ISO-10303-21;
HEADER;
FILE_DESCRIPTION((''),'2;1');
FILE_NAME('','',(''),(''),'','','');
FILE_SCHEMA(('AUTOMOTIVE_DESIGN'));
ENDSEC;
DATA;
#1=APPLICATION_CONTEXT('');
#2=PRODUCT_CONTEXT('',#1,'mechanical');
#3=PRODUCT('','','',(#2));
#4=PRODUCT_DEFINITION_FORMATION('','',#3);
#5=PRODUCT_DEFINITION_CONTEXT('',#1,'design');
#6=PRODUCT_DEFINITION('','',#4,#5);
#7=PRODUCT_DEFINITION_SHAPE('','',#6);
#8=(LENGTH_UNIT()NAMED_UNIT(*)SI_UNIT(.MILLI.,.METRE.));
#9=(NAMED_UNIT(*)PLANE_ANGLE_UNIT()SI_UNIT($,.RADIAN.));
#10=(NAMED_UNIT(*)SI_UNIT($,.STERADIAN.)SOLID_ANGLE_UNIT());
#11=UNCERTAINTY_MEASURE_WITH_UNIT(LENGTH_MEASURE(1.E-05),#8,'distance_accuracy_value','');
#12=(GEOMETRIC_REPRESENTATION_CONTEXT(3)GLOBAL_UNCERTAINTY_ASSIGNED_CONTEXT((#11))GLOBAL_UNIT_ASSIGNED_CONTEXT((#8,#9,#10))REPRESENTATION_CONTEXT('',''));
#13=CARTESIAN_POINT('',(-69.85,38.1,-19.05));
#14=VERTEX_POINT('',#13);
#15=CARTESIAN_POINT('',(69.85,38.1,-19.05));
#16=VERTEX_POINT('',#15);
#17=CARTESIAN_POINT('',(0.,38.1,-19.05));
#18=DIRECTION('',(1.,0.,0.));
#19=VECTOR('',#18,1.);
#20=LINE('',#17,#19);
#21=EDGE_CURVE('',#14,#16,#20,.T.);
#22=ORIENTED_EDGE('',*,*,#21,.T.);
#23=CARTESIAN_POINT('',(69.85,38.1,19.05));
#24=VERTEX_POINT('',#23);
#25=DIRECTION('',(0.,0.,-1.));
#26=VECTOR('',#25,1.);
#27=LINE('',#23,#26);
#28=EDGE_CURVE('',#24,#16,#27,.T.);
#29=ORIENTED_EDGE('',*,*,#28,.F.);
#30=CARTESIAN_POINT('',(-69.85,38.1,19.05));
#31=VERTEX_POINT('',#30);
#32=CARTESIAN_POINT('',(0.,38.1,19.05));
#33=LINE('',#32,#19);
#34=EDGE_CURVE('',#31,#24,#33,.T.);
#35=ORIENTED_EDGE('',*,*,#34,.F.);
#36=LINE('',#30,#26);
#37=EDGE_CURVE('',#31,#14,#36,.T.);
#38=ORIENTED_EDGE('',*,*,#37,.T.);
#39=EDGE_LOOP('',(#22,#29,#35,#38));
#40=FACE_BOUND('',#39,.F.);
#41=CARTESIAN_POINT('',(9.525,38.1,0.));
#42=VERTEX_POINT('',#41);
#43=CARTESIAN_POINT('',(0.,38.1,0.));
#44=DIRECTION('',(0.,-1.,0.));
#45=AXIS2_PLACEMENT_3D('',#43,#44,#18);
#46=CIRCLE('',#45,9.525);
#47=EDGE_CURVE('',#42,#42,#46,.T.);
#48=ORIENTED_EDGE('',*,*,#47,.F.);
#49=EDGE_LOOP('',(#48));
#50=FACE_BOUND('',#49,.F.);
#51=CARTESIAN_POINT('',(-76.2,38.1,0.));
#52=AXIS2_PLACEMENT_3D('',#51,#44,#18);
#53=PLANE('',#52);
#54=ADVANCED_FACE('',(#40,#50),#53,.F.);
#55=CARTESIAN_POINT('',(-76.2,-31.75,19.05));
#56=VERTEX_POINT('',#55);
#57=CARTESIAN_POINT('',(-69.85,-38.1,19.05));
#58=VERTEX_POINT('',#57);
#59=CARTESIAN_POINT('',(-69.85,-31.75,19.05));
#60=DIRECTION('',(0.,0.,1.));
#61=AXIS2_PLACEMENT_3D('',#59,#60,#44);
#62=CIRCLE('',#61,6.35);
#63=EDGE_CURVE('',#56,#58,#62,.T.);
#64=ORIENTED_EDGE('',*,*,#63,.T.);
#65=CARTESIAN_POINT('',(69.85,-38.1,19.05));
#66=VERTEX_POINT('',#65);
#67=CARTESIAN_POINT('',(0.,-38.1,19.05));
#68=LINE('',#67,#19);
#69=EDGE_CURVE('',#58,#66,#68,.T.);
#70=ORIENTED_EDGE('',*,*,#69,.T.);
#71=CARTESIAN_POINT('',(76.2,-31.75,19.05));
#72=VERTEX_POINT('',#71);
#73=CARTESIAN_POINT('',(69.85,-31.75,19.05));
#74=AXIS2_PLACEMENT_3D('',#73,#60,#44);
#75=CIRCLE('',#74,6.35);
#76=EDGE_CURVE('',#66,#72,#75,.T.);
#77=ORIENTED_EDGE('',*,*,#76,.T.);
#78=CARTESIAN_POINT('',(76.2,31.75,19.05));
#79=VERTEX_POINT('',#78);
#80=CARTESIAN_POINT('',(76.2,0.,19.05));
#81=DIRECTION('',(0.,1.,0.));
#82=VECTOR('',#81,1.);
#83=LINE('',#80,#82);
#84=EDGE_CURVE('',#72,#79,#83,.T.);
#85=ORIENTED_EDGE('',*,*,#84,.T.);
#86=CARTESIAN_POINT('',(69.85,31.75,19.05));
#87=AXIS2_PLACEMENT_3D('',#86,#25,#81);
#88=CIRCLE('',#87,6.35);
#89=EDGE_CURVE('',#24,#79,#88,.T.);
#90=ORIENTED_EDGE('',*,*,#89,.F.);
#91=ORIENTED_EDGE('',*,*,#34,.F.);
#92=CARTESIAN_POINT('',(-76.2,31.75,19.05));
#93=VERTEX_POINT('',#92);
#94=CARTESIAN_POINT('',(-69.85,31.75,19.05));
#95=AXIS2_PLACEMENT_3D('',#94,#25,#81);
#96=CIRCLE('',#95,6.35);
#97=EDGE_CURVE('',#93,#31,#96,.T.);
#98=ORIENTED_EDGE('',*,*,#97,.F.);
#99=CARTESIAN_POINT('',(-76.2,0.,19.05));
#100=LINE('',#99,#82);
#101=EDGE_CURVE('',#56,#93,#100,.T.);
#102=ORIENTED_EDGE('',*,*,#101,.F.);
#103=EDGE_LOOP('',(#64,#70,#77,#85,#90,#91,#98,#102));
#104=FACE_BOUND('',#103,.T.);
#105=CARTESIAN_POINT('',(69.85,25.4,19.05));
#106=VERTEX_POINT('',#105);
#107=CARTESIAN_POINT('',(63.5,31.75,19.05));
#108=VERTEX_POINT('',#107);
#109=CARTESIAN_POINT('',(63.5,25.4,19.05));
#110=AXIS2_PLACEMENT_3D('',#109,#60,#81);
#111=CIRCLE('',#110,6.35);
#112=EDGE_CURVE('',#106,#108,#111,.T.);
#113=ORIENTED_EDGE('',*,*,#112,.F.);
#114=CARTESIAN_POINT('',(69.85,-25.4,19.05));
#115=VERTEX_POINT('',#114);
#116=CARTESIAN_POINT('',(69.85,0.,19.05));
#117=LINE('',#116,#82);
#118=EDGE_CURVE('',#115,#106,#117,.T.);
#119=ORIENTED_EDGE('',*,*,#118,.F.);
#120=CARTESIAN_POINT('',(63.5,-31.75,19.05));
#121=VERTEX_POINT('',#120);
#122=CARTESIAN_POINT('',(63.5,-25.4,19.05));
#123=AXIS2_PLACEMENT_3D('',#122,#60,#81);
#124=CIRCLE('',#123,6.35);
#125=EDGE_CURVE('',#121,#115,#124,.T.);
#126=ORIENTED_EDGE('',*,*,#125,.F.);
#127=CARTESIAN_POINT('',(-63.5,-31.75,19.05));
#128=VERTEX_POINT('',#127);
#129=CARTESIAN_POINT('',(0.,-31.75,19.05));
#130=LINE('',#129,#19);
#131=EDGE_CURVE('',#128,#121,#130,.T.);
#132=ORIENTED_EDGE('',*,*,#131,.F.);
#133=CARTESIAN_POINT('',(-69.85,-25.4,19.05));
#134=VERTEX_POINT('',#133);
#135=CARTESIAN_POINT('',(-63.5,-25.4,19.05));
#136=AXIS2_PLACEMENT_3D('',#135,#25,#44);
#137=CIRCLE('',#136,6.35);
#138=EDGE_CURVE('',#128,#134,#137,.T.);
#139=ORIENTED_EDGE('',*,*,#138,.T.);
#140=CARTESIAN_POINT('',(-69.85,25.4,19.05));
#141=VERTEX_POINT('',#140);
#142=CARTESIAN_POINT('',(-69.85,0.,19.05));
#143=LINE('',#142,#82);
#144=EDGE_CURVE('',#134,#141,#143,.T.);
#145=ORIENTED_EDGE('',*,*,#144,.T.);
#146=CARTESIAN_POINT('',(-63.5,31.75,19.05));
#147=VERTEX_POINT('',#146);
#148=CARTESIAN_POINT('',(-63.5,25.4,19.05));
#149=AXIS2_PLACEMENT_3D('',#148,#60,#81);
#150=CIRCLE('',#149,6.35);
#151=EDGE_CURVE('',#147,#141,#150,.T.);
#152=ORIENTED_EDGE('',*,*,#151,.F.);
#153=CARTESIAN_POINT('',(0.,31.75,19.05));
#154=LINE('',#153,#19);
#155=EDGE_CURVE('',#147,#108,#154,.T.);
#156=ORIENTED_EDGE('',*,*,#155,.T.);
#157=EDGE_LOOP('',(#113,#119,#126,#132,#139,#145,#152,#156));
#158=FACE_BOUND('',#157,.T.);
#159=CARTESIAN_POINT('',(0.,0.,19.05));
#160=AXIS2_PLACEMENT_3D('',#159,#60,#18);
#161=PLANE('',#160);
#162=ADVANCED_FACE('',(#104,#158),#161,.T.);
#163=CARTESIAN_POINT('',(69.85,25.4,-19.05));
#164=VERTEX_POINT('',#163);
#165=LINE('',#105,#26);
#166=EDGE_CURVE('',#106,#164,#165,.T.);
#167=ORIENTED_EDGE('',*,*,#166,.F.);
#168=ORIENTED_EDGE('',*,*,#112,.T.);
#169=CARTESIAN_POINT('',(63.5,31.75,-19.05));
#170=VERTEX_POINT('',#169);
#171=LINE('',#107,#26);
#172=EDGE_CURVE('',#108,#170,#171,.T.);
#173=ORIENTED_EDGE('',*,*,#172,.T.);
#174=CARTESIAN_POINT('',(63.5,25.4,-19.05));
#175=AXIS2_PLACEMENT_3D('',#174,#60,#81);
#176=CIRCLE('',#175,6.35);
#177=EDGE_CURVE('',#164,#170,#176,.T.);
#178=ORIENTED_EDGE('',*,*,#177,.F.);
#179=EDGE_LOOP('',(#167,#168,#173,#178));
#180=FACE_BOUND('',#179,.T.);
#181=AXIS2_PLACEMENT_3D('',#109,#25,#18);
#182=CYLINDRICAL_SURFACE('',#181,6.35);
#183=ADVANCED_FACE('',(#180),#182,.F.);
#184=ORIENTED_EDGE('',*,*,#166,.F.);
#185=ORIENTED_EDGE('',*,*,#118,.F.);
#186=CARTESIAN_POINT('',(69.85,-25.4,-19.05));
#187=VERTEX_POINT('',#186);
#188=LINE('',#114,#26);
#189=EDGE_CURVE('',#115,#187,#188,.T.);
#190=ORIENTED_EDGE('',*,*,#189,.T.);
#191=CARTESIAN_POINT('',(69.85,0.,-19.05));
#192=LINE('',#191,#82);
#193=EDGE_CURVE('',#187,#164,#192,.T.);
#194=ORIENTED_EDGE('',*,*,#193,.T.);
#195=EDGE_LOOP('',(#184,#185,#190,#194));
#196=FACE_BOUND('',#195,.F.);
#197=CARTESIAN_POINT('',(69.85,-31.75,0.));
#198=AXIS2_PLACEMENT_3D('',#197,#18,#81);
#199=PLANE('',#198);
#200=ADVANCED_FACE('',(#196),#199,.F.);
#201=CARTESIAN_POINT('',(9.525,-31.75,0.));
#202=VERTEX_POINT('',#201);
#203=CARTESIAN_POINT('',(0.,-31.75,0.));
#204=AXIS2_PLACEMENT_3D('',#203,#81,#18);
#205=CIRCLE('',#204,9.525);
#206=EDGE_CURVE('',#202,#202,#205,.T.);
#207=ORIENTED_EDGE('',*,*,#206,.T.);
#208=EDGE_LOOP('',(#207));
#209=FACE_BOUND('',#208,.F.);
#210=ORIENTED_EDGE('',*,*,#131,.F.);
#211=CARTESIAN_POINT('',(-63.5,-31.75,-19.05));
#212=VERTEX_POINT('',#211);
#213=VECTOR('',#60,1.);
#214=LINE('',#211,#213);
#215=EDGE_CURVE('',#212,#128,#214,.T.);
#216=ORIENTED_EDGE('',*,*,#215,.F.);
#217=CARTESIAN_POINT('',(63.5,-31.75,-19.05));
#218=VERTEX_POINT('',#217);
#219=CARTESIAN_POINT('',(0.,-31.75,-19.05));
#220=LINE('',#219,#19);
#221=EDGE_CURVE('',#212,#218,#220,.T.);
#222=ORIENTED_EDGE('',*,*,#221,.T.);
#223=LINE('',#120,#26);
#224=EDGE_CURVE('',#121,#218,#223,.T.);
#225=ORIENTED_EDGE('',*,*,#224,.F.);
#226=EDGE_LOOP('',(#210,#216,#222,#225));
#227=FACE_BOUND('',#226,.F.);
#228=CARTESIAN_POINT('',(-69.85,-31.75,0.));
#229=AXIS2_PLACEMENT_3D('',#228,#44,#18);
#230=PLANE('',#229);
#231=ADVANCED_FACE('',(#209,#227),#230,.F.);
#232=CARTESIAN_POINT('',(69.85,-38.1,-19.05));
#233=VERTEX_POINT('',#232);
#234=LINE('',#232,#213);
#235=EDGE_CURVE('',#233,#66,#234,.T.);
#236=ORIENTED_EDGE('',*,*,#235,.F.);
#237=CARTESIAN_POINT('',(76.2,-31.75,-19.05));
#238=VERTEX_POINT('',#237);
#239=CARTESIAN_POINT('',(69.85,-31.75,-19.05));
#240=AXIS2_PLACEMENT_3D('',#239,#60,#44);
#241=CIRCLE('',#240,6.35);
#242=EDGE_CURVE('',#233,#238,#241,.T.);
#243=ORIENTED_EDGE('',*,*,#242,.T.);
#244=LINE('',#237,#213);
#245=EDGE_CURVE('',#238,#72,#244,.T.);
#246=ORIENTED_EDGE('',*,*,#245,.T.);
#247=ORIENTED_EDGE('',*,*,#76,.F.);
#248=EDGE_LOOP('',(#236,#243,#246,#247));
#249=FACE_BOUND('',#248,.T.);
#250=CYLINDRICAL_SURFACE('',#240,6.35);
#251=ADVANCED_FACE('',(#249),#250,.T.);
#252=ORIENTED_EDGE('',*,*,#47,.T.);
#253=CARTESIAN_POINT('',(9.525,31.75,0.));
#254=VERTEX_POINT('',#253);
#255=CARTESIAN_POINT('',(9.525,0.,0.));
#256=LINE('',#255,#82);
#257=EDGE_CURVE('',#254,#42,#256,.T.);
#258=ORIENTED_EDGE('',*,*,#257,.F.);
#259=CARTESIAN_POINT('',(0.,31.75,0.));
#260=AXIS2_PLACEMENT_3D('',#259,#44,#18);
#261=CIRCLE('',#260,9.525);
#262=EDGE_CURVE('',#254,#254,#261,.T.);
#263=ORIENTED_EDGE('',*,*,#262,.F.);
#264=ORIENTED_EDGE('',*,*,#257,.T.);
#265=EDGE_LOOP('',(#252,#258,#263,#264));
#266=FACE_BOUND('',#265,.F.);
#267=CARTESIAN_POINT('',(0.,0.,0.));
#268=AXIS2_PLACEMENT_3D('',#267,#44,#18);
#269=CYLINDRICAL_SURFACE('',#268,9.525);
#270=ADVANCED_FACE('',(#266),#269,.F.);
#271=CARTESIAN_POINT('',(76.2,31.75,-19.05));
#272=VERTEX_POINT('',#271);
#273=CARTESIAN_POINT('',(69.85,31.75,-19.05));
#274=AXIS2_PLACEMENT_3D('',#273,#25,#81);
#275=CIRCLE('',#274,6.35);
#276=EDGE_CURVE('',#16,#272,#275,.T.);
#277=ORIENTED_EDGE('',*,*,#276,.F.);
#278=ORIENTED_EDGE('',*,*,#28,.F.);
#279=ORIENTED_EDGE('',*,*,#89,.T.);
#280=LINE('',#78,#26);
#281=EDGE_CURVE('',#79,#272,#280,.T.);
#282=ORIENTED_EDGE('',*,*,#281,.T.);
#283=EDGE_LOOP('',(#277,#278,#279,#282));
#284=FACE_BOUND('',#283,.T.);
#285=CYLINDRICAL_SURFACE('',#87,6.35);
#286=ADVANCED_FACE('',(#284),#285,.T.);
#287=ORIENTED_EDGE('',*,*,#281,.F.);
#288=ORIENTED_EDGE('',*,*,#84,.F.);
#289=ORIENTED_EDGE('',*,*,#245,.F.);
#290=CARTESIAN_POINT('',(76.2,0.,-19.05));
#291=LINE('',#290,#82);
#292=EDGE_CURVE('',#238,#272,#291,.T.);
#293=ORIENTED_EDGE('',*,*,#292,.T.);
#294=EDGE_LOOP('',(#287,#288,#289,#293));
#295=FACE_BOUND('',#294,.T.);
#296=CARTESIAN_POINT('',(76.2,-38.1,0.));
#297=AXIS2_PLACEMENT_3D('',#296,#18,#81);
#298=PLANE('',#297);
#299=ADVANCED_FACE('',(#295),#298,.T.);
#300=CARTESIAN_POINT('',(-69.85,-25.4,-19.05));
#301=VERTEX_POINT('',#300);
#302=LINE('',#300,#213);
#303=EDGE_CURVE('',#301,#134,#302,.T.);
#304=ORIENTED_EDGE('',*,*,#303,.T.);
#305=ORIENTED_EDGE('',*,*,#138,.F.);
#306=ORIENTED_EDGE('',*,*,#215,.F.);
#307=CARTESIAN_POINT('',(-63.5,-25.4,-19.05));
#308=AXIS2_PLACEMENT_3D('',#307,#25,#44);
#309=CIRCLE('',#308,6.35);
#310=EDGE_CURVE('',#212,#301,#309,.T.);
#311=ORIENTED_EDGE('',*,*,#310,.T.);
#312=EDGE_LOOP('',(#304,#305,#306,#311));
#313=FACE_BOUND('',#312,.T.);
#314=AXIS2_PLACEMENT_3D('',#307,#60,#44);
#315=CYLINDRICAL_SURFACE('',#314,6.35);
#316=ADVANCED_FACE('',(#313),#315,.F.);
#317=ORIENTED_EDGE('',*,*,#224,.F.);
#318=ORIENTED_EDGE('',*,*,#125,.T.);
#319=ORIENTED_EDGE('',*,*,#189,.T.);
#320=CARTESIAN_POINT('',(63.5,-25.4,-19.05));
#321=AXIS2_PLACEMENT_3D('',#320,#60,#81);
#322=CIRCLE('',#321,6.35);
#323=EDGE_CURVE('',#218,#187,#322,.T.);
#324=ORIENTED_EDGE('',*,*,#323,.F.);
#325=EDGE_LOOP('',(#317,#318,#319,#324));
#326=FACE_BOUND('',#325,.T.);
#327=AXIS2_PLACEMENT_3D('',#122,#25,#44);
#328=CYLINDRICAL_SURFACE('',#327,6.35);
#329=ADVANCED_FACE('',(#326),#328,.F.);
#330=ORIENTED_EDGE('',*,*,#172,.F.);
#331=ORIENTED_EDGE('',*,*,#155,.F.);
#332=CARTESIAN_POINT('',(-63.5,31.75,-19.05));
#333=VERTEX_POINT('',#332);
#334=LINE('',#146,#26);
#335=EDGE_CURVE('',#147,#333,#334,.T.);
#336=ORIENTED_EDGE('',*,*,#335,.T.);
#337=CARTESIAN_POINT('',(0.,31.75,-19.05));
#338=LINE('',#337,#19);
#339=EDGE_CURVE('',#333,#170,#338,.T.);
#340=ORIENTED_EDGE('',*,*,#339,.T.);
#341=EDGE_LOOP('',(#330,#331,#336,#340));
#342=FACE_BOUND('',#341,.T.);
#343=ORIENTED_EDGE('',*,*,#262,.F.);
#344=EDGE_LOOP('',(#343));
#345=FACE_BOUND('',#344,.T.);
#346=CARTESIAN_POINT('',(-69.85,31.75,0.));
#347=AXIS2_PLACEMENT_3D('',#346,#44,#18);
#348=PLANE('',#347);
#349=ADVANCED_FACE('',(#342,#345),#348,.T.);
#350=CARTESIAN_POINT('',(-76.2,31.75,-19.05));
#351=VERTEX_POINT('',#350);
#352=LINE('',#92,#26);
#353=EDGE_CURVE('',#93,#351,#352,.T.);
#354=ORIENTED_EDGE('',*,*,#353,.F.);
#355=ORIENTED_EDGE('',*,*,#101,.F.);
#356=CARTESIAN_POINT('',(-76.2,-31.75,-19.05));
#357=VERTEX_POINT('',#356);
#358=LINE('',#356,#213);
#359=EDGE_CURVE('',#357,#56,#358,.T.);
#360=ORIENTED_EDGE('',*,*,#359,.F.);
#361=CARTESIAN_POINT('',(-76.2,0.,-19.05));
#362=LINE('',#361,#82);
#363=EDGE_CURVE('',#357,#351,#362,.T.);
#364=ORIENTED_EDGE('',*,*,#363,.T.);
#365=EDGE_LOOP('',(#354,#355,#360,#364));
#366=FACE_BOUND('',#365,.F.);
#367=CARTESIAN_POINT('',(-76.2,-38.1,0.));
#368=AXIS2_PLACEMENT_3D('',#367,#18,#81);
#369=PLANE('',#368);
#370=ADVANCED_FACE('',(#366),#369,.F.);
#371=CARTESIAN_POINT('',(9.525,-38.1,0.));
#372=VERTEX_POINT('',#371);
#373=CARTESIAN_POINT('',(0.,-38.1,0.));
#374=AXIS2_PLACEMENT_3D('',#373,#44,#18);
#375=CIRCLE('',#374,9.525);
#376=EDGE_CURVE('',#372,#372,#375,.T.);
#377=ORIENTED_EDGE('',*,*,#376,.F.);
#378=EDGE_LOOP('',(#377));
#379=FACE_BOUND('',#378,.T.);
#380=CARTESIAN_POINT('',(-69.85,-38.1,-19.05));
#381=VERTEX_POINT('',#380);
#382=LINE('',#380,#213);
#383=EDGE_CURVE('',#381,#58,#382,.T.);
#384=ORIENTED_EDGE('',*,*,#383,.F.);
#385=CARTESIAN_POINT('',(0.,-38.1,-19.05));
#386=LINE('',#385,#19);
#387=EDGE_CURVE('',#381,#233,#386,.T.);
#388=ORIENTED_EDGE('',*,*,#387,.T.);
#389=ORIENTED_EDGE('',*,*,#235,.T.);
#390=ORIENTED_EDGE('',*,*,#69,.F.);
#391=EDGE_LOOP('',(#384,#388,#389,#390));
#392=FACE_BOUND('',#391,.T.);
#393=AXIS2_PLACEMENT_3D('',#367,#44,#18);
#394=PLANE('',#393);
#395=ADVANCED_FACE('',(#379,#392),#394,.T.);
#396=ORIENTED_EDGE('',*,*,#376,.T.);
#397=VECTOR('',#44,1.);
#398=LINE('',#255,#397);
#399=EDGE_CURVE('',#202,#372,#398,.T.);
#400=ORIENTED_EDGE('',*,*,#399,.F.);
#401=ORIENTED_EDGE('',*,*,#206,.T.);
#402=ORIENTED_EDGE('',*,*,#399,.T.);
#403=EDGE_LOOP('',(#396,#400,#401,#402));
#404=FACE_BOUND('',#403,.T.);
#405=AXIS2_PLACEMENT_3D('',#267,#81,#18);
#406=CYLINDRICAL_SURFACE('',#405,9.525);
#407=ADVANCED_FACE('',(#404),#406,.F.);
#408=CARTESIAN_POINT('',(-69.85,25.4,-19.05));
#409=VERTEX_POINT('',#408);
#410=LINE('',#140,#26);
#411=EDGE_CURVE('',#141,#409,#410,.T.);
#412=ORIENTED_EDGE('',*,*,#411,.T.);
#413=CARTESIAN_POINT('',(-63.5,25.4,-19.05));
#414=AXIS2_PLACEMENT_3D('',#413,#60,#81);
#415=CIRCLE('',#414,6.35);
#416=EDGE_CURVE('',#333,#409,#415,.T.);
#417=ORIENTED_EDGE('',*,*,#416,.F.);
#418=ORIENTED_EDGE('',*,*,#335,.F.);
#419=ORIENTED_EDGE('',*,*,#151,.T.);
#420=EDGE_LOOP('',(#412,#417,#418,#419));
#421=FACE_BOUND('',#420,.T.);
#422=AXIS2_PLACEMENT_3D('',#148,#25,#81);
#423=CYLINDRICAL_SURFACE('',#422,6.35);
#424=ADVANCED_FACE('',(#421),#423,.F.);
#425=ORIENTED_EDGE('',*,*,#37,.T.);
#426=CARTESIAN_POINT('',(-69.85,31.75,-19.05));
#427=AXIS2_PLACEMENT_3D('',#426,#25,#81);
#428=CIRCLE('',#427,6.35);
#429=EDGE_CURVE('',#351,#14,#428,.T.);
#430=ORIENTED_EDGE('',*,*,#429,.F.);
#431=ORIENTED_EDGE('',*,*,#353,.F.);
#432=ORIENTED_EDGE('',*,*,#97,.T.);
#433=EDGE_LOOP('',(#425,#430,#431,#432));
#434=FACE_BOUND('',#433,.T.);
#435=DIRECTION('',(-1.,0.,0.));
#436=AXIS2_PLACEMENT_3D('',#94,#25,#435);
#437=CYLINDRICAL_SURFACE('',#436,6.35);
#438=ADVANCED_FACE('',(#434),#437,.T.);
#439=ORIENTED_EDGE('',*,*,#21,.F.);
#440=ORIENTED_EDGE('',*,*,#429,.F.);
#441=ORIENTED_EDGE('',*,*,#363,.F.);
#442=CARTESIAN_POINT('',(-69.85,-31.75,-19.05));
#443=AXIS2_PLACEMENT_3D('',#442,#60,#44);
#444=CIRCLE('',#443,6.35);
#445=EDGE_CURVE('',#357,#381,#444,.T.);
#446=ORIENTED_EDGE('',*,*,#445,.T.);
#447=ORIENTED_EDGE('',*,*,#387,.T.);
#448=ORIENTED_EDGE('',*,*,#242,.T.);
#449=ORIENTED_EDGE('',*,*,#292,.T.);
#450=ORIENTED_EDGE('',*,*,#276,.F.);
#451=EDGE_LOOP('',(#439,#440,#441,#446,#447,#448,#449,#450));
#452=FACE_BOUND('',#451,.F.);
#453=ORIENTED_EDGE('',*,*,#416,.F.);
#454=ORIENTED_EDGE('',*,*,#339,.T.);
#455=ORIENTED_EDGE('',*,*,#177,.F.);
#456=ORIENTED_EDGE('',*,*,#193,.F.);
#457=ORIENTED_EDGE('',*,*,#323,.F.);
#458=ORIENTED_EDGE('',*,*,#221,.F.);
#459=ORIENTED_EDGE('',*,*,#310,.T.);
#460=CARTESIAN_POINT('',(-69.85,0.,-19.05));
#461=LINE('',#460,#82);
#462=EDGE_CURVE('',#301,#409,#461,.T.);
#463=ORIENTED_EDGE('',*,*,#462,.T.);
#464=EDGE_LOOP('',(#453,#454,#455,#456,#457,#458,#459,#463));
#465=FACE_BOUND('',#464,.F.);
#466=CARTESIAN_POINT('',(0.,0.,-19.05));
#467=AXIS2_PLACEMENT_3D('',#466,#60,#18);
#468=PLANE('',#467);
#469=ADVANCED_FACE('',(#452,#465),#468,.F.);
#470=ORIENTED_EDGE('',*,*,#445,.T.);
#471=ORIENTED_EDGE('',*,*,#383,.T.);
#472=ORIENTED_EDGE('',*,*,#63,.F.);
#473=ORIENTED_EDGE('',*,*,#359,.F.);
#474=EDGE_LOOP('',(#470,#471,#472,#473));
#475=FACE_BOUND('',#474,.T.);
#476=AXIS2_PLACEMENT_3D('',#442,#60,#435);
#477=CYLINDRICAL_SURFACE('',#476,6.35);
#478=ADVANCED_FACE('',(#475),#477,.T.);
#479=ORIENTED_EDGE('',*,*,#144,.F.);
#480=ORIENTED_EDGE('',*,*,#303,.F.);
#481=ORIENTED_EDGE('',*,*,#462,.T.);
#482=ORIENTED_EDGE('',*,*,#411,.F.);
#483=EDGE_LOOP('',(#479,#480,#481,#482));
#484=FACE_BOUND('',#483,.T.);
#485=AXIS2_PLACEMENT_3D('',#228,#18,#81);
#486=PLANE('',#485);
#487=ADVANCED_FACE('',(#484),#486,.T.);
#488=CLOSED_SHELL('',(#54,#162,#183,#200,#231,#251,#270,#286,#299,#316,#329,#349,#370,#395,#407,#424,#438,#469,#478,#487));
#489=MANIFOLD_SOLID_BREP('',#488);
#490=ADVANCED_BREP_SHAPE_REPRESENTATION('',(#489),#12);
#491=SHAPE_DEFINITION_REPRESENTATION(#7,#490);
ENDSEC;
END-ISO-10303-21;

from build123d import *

# Parameters (mm, degrees)
F0_W          = 152.4
F0_H          = 76.2
F0_W_2        = 139.7
F0_H_2        = 63.5
F1_DEPTH      = 19.05
F2_R          = 9.525
F3_DEPTH      = 38.1
F3_DEPTH_BACK = 38.1
F4_R          = 6.35


with BuildPart() as f1:
    # F0 (on Top) → F1 (new body, symmetric)
    with BuildSketch(Plane.XY):
        Rectangle(F0_W, F0_H)
        Rectangle(F0_W_2, F0_H_2, mode=Mode.SUBTRACT)
    extrude(amount=F1_DEPTH, both=True)

    # F2 (on Front) → F3 (cut, two sides)
    with BuildSketch(Plane.XZ) as f3_sk:
        Circle(F2_R)
    extrude(amount=F3_DEPTH, mode=Mode.SUBTRACT)
    extrude(f3_sk.sketch, amount=-F3_DEPTH_BACK, mode=Mode.SUBTRACT)

    # F4
    f4_edges = [f1.edges().sort_by_distance(p)[0] for p in [
        (-69.85, -31.75, 0),
        (-69.85, 31.75, 0),
        (69.85, 31.75, 0),
        (69.85, -31.75, 0),
        (-76.2, -38.1, 0),
        (76.2, -38.1, 0),
        (76.2, 38.1, 0),
        (-76.2, 38.1, 0),
    ]]
    fillet(f4_edges, radius=F4_R)


solid = f1.part
